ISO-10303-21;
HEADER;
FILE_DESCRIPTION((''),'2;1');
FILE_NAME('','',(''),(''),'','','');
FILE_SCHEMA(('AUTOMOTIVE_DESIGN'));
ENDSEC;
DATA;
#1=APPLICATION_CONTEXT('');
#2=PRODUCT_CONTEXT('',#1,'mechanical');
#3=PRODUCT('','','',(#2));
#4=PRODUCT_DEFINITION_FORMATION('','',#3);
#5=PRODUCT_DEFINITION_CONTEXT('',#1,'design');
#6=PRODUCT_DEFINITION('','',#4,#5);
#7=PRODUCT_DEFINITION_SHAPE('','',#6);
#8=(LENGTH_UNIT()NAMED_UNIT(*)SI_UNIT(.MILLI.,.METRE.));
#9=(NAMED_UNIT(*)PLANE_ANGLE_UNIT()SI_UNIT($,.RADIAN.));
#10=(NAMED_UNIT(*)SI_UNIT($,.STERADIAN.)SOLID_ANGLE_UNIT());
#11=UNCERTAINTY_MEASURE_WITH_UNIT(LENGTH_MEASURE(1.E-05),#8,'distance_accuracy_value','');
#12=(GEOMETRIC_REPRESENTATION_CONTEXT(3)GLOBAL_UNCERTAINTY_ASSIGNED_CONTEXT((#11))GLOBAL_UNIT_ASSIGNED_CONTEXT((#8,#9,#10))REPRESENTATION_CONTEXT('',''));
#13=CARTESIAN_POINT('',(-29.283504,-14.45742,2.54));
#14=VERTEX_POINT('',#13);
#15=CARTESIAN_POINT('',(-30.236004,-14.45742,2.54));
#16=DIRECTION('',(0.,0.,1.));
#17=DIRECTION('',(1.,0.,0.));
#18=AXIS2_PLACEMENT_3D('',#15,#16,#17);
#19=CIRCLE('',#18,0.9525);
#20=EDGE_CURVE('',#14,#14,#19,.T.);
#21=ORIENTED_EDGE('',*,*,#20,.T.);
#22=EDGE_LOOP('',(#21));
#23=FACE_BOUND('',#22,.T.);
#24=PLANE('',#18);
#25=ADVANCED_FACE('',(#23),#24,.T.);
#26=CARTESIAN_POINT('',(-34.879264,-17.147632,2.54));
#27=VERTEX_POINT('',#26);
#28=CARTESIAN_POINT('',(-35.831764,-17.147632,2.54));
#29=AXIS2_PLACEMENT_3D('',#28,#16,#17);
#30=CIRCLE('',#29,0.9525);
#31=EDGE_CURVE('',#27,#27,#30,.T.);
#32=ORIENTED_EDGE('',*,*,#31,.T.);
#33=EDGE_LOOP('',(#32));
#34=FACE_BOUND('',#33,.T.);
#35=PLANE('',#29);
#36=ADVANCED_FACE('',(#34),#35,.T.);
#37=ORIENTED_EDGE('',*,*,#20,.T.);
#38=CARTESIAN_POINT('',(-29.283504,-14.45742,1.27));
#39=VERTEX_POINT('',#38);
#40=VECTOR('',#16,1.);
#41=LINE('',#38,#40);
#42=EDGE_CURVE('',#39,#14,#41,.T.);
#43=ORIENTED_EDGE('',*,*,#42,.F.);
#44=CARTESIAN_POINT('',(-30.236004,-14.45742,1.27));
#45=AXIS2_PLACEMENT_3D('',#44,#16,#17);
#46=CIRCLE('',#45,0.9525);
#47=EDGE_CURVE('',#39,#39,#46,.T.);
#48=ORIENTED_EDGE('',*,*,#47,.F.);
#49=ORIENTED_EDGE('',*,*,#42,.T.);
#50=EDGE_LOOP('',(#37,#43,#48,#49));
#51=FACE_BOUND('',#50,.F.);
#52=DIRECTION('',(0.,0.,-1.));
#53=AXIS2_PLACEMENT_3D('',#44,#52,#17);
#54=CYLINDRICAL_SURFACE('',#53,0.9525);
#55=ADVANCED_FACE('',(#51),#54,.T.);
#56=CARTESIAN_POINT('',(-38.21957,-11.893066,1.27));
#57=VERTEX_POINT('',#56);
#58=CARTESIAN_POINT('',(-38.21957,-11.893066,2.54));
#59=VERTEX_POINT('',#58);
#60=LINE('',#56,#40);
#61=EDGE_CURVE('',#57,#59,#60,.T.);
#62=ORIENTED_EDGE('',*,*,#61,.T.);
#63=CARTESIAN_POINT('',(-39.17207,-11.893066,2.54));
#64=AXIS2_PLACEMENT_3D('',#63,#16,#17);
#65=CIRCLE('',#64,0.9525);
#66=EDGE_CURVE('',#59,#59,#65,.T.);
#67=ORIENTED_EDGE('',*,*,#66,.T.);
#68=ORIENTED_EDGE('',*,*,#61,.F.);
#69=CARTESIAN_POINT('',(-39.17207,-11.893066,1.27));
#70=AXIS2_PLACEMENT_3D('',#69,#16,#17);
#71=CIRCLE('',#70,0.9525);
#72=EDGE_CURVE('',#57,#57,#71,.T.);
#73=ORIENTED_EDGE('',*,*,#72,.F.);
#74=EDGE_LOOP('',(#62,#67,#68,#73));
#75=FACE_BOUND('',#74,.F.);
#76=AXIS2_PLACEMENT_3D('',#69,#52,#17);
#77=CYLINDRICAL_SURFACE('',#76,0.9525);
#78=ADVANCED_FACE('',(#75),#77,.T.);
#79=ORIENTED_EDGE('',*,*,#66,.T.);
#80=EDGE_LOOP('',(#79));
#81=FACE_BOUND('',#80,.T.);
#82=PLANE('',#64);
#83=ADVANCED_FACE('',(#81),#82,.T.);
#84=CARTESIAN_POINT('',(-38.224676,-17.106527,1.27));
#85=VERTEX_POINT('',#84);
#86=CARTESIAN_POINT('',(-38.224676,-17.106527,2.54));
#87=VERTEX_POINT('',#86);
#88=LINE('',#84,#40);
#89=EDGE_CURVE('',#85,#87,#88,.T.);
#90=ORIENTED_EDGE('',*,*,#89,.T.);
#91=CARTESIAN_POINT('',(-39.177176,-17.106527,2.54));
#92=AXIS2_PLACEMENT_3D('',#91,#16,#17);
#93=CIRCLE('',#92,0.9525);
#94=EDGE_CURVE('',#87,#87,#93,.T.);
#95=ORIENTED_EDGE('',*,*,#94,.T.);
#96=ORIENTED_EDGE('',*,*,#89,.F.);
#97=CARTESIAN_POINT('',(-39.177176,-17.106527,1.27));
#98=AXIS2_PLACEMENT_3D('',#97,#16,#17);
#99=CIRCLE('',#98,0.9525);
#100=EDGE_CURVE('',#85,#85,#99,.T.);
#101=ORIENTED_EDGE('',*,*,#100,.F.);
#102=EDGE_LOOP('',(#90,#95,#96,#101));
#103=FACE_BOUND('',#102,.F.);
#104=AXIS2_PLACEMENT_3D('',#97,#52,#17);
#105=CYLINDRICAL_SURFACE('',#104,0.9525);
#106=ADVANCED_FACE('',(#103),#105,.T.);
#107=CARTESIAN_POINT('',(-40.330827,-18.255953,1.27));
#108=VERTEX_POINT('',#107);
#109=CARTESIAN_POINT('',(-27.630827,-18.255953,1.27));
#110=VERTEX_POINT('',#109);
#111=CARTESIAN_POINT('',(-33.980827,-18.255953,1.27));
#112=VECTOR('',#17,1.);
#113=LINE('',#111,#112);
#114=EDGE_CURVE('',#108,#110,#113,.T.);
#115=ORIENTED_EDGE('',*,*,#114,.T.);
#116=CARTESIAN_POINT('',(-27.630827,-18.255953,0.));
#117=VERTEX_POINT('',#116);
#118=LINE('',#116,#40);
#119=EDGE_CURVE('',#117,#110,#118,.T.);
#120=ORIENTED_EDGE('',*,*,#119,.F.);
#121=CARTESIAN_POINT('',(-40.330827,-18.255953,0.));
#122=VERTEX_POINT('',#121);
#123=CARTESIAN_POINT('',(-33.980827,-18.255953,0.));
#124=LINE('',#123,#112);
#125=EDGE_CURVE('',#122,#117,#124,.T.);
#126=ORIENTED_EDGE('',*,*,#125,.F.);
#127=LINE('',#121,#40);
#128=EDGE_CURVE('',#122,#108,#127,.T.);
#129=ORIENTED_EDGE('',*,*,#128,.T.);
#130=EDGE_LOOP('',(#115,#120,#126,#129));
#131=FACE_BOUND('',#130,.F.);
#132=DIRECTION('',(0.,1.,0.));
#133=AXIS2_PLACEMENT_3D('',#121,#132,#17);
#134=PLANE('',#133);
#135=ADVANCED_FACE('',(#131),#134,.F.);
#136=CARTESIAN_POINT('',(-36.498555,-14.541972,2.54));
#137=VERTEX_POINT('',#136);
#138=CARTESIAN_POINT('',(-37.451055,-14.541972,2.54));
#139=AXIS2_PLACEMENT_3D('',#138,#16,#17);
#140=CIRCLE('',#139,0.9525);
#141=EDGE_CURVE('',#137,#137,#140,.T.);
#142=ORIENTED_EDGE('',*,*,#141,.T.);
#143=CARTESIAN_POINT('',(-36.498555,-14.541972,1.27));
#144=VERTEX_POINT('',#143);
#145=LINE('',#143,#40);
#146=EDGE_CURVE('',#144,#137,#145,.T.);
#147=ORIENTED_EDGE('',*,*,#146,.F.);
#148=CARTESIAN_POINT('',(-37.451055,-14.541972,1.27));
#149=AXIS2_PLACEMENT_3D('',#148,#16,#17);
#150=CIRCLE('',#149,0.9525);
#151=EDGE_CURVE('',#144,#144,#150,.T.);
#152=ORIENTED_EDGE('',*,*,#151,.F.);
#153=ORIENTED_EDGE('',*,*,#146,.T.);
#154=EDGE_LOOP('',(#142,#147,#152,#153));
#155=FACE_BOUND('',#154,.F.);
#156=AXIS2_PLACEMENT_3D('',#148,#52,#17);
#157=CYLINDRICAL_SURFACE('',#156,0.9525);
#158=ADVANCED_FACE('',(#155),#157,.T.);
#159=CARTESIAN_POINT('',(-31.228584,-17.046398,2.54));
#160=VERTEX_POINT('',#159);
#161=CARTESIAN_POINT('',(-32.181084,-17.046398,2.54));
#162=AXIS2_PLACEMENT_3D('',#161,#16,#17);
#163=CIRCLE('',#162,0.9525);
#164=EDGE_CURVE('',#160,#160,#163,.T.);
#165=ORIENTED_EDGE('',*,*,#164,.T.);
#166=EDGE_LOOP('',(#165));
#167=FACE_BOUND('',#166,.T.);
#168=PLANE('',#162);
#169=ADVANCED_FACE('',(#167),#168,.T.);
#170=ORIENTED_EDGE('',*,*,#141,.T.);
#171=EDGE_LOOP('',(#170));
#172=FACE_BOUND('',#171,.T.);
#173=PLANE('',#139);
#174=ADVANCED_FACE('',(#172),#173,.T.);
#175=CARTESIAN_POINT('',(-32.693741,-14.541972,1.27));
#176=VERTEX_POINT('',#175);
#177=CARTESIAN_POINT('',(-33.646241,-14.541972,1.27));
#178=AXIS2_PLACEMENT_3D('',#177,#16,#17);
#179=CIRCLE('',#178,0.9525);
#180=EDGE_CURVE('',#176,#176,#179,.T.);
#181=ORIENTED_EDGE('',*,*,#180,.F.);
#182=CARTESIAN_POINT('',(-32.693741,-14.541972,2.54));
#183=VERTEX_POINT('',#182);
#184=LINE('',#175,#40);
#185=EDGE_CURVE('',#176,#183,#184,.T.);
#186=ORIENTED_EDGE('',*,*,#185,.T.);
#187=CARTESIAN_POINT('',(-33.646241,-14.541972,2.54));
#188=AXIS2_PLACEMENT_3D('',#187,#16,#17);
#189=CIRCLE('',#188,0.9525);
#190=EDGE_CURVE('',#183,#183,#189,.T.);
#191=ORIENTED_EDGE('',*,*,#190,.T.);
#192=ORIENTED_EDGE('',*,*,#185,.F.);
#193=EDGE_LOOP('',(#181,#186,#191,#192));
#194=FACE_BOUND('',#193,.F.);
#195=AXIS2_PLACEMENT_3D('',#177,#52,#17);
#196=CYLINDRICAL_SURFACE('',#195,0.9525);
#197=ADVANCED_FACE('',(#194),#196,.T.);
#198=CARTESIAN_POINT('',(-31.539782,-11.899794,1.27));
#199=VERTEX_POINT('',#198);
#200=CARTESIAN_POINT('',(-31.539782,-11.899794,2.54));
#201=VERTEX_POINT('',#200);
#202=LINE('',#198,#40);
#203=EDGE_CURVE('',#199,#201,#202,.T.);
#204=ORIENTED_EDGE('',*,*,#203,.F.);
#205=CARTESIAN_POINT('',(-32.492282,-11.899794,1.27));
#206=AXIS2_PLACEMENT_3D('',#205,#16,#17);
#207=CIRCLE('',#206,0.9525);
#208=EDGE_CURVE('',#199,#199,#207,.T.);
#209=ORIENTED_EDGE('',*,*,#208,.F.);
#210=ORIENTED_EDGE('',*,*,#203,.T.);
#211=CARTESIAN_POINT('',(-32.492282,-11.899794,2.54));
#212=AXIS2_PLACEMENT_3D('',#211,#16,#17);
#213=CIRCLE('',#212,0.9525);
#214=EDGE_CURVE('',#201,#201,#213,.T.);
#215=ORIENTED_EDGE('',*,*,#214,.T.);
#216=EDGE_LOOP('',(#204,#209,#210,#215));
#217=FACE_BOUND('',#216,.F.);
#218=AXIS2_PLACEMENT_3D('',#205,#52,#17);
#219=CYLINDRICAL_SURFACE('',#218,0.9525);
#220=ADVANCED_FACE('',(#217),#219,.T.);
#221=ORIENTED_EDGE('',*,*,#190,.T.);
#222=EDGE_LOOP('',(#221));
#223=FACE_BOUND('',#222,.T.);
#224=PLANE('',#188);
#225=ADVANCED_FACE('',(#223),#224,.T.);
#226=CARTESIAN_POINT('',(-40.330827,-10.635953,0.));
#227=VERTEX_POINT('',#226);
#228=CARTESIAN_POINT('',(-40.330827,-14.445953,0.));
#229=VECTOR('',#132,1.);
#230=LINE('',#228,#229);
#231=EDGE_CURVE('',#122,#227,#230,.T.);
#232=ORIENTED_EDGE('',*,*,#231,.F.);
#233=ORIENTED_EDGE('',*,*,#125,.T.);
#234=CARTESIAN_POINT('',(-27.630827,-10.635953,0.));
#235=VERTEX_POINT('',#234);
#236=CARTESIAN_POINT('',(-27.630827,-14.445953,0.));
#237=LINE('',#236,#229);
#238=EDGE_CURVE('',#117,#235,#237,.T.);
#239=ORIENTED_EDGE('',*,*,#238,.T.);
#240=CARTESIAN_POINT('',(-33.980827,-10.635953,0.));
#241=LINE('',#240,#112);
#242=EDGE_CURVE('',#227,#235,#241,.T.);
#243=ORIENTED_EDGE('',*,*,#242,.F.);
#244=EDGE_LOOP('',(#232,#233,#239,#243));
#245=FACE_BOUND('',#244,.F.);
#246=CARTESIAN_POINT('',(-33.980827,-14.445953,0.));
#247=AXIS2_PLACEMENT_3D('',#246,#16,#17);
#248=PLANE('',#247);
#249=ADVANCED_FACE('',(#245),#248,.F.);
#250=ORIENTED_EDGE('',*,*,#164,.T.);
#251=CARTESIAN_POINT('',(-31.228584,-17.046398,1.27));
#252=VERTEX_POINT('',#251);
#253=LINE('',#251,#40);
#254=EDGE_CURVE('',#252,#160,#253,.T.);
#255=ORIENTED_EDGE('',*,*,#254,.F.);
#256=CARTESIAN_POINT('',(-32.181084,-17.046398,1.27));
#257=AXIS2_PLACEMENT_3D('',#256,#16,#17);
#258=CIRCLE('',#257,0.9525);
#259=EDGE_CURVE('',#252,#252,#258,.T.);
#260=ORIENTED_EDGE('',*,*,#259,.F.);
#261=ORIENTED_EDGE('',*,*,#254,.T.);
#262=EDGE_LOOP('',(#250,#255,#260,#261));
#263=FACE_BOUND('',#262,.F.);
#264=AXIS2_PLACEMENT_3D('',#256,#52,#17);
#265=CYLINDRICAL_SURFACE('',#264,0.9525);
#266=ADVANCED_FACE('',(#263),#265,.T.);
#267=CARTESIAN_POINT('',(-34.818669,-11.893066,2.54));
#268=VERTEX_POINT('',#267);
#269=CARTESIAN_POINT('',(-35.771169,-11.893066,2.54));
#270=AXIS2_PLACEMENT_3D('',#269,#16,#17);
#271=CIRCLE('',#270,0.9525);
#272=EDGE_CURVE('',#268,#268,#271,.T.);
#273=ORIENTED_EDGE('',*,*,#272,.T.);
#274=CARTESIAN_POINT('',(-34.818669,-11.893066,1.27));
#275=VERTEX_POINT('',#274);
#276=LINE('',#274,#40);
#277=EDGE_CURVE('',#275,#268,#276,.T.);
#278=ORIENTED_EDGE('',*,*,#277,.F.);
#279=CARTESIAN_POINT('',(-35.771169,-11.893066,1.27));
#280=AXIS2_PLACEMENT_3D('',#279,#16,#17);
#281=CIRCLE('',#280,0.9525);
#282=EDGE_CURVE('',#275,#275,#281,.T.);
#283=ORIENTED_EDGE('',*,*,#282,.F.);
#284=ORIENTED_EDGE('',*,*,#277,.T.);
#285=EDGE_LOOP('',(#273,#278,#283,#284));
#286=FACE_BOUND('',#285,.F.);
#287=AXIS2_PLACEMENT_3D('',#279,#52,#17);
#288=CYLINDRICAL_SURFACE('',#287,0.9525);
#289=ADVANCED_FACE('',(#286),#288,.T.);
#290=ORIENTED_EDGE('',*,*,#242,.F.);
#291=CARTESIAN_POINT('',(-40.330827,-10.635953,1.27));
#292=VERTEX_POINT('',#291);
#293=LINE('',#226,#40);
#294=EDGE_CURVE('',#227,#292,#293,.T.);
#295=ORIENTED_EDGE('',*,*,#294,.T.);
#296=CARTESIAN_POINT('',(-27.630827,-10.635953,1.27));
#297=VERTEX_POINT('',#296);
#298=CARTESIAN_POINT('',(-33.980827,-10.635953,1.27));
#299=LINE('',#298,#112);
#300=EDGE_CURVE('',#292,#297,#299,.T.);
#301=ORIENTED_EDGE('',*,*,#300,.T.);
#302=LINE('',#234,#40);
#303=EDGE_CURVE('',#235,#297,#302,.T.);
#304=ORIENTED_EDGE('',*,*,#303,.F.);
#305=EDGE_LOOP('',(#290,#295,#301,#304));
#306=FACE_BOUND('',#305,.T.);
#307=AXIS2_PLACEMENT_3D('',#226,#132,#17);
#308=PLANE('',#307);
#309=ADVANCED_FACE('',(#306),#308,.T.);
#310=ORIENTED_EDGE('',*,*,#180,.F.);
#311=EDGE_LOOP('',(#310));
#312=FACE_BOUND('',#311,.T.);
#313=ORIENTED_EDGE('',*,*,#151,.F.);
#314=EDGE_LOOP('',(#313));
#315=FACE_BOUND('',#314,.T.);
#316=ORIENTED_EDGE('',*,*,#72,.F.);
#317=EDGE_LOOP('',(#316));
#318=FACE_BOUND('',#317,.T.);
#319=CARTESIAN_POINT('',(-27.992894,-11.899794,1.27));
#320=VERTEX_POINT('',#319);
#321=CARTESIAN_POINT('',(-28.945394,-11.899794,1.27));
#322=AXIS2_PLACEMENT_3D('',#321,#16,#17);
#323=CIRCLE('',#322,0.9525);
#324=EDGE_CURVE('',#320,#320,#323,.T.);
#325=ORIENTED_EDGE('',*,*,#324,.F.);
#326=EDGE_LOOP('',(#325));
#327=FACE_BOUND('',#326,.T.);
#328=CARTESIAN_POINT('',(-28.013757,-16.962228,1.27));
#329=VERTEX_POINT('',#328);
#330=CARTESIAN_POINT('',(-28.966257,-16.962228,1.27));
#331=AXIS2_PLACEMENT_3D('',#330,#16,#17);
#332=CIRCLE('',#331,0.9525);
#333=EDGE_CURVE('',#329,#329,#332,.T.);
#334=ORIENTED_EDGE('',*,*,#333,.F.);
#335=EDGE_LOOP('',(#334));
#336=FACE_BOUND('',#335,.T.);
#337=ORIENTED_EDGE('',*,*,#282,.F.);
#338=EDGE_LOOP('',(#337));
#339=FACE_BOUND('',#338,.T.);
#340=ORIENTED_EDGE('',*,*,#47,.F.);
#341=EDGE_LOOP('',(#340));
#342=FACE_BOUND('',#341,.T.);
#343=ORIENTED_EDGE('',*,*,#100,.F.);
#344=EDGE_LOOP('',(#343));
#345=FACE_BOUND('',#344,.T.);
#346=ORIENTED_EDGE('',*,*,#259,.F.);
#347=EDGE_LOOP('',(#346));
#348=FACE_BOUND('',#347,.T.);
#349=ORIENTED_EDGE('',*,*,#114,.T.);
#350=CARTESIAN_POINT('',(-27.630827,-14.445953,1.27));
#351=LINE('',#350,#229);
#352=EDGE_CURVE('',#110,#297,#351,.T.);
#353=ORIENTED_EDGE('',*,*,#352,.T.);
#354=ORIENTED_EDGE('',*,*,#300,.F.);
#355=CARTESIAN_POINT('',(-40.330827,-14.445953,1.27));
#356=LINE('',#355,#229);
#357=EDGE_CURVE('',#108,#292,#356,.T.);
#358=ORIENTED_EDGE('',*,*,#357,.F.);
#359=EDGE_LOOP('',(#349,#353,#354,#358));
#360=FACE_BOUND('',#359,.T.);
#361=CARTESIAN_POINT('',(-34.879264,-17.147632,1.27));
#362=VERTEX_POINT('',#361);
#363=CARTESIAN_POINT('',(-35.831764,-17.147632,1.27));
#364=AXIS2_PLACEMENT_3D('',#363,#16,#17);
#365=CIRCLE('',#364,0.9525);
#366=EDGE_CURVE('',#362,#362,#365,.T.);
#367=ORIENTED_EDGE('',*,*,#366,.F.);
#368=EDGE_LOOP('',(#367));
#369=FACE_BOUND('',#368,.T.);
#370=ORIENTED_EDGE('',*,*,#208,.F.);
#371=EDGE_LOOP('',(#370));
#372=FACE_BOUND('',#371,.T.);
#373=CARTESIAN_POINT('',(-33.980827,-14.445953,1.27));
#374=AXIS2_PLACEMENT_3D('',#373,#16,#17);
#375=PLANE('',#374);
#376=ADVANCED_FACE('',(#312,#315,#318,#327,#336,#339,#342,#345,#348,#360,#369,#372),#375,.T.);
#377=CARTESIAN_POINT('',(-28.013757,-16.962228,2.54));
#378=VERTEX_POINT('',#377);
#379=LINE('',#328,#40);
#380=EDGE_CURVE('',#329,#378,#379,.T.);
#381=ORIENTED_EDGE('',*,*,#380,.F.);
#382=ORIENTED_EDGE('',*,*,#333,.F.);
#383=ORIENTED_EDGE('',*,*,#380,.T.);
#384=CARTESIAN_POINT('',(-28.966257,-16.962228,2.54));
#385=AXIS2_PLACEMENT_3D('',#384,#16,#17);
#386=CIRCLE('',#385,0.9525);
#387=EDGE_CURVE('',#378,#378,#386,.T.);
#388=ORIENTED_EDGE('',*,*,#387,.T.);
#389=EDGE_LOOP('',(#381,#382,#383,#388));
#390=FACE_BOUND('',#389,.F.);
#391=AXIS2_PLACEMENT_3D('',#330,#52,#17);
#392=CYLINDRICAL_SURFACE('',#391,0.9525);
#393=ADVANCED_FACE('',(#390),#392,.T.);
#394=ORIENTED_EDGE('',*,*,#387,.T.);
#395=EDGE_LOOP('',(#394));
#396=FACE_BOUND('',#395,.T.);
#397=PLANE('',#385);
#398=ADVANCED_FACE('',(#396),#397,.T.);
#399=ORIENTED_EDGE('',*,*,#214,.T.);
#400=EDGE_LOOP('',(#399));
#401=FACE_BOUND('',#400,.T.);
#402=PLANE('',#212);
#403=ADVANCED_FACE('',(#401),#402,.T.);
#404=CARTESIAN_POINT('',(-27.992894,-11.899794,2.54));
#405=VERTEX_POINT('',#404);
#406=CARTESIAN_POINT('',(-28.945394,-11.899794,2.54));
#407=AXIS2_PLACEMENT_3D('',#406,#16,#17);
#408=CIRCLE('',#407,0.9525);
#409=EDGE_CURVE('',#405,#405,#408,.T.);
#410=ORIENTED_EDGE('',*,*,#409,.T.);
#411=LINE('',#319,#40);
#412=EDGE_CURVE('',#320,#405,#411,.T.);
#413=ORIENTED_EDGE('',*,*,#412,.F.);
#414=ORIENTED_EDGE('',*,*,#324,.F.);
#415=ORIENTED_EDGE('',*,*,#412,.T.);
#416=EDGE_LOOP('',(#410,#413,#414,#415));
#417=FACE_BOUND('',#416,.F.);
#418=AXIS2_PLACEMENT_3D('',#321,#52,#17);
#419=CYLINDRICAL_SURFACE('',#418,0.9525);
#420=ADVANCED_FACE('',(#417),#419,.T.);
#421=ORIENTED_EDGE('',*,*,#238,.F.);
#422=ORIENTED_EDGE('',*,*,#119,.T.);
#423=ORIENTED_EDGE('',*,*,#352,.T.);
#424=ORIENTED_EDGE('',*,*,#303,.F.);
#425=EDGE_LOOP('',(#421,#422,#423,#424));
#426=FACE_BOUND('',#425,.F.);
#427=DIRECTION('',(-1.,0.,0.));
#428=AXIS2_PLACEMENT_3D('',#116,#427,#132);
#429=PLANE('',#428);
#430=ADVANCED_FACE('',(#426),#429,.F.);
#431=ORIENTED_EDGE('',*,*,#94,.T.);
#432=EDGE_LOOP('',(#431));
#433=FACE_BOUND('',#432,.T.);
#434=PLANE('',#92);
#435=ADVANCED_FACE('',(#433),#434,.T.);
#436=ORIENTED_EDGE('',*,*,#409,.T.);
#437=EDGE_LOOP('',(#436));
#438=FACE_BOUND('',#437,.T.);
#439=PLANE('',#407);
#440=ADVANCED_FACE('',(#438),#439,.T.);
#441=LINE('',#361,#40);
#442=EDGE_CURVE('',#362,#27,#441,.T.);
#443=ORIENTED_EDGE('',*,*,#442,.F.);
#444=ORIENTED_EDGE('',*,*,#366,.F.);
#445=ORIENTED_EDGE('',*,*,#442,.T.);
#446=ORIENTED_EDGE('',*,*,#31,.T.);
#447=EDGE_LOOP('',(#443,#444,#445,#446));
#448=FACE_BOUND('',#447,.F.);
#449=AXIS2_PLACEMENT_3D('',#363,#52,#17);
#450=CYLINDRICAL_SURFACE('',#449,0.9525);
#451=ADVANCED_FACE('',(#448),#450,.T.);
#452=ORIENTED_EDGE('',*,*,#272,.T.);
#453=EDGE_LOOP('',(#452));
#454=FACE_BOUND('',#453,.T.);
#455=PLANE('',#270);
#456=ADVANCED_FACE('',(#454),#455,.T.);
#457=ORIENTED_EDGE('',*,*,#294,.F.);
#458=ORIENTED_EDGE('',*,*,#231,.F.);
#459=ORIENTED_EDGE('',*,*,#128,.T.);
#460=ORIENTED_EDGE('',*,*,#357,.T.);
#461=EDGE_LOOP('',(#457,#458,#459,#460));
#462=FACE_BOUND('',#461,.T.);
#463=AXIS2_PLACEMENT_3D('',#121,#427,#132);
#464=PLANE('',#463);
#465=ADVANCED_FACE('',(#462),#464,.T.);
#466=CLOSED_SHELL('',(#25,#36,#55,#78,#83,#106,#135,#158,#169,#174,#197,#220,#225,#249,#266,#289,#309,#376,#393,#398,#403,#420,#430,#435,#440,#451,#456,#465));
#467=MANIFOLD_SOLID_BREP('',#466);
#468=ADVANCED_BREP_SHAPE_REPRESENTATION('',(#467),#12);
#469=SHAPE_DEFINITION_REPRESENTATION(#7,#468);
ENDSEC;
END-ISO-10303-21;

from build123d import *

# Parameters (mm, degrees)
F0_W     = 12.7
F0_H     = 7.62
F1_DEPTH = 1.27
F2_R     = 0.9525
F3_DEPTH = 1.27


with BuildPart() as f1:
    # F0 (on Top) → F1 (new body)
    with BuildSketch(Plane.XY):
        with Locations((-33.980827, -14.445953)):
            Rectangle(F0_W, F0_H)
    extrude(amount=F1_DEPTH)

    # F2 (on face) → F3 (join)
    with BuildSketch(Plane.XY.offset(1.27)):
        with Locations((-39.17207, -11.893066)):
            Circle(F2_R)
        with Locations((-35.771169, -11.893066)):
            Circle(F2_R)
        with Locations((-39.177176, -17.106527)):
            Circle(F2_R)
        with Locations((-32.181084, -17.046398)):
            Circle(F2_R)
        with Locations((-35.831764, -17.147632)):
            Circle(F2_R)
        with Locations((-32.492282, -11.899794)):
            Circle(F2_R)
        with Locations((-28.945394, -11.899794)):
            Circle(F2_R)
        with Locations((-28.966257, -16.962228)):
            Circle(F2_R)
        with Locations((-30.236004, -14.45742)):
            Circle(F2_R)
        with Locations((-37.451055, -14.541972)):
            Circle(F2_R)
        with Locations((-33.646241, -14.541972)):
            Circle(F2_R)
    extrude(amount=F3_DEPTH)


solid = f1.part
